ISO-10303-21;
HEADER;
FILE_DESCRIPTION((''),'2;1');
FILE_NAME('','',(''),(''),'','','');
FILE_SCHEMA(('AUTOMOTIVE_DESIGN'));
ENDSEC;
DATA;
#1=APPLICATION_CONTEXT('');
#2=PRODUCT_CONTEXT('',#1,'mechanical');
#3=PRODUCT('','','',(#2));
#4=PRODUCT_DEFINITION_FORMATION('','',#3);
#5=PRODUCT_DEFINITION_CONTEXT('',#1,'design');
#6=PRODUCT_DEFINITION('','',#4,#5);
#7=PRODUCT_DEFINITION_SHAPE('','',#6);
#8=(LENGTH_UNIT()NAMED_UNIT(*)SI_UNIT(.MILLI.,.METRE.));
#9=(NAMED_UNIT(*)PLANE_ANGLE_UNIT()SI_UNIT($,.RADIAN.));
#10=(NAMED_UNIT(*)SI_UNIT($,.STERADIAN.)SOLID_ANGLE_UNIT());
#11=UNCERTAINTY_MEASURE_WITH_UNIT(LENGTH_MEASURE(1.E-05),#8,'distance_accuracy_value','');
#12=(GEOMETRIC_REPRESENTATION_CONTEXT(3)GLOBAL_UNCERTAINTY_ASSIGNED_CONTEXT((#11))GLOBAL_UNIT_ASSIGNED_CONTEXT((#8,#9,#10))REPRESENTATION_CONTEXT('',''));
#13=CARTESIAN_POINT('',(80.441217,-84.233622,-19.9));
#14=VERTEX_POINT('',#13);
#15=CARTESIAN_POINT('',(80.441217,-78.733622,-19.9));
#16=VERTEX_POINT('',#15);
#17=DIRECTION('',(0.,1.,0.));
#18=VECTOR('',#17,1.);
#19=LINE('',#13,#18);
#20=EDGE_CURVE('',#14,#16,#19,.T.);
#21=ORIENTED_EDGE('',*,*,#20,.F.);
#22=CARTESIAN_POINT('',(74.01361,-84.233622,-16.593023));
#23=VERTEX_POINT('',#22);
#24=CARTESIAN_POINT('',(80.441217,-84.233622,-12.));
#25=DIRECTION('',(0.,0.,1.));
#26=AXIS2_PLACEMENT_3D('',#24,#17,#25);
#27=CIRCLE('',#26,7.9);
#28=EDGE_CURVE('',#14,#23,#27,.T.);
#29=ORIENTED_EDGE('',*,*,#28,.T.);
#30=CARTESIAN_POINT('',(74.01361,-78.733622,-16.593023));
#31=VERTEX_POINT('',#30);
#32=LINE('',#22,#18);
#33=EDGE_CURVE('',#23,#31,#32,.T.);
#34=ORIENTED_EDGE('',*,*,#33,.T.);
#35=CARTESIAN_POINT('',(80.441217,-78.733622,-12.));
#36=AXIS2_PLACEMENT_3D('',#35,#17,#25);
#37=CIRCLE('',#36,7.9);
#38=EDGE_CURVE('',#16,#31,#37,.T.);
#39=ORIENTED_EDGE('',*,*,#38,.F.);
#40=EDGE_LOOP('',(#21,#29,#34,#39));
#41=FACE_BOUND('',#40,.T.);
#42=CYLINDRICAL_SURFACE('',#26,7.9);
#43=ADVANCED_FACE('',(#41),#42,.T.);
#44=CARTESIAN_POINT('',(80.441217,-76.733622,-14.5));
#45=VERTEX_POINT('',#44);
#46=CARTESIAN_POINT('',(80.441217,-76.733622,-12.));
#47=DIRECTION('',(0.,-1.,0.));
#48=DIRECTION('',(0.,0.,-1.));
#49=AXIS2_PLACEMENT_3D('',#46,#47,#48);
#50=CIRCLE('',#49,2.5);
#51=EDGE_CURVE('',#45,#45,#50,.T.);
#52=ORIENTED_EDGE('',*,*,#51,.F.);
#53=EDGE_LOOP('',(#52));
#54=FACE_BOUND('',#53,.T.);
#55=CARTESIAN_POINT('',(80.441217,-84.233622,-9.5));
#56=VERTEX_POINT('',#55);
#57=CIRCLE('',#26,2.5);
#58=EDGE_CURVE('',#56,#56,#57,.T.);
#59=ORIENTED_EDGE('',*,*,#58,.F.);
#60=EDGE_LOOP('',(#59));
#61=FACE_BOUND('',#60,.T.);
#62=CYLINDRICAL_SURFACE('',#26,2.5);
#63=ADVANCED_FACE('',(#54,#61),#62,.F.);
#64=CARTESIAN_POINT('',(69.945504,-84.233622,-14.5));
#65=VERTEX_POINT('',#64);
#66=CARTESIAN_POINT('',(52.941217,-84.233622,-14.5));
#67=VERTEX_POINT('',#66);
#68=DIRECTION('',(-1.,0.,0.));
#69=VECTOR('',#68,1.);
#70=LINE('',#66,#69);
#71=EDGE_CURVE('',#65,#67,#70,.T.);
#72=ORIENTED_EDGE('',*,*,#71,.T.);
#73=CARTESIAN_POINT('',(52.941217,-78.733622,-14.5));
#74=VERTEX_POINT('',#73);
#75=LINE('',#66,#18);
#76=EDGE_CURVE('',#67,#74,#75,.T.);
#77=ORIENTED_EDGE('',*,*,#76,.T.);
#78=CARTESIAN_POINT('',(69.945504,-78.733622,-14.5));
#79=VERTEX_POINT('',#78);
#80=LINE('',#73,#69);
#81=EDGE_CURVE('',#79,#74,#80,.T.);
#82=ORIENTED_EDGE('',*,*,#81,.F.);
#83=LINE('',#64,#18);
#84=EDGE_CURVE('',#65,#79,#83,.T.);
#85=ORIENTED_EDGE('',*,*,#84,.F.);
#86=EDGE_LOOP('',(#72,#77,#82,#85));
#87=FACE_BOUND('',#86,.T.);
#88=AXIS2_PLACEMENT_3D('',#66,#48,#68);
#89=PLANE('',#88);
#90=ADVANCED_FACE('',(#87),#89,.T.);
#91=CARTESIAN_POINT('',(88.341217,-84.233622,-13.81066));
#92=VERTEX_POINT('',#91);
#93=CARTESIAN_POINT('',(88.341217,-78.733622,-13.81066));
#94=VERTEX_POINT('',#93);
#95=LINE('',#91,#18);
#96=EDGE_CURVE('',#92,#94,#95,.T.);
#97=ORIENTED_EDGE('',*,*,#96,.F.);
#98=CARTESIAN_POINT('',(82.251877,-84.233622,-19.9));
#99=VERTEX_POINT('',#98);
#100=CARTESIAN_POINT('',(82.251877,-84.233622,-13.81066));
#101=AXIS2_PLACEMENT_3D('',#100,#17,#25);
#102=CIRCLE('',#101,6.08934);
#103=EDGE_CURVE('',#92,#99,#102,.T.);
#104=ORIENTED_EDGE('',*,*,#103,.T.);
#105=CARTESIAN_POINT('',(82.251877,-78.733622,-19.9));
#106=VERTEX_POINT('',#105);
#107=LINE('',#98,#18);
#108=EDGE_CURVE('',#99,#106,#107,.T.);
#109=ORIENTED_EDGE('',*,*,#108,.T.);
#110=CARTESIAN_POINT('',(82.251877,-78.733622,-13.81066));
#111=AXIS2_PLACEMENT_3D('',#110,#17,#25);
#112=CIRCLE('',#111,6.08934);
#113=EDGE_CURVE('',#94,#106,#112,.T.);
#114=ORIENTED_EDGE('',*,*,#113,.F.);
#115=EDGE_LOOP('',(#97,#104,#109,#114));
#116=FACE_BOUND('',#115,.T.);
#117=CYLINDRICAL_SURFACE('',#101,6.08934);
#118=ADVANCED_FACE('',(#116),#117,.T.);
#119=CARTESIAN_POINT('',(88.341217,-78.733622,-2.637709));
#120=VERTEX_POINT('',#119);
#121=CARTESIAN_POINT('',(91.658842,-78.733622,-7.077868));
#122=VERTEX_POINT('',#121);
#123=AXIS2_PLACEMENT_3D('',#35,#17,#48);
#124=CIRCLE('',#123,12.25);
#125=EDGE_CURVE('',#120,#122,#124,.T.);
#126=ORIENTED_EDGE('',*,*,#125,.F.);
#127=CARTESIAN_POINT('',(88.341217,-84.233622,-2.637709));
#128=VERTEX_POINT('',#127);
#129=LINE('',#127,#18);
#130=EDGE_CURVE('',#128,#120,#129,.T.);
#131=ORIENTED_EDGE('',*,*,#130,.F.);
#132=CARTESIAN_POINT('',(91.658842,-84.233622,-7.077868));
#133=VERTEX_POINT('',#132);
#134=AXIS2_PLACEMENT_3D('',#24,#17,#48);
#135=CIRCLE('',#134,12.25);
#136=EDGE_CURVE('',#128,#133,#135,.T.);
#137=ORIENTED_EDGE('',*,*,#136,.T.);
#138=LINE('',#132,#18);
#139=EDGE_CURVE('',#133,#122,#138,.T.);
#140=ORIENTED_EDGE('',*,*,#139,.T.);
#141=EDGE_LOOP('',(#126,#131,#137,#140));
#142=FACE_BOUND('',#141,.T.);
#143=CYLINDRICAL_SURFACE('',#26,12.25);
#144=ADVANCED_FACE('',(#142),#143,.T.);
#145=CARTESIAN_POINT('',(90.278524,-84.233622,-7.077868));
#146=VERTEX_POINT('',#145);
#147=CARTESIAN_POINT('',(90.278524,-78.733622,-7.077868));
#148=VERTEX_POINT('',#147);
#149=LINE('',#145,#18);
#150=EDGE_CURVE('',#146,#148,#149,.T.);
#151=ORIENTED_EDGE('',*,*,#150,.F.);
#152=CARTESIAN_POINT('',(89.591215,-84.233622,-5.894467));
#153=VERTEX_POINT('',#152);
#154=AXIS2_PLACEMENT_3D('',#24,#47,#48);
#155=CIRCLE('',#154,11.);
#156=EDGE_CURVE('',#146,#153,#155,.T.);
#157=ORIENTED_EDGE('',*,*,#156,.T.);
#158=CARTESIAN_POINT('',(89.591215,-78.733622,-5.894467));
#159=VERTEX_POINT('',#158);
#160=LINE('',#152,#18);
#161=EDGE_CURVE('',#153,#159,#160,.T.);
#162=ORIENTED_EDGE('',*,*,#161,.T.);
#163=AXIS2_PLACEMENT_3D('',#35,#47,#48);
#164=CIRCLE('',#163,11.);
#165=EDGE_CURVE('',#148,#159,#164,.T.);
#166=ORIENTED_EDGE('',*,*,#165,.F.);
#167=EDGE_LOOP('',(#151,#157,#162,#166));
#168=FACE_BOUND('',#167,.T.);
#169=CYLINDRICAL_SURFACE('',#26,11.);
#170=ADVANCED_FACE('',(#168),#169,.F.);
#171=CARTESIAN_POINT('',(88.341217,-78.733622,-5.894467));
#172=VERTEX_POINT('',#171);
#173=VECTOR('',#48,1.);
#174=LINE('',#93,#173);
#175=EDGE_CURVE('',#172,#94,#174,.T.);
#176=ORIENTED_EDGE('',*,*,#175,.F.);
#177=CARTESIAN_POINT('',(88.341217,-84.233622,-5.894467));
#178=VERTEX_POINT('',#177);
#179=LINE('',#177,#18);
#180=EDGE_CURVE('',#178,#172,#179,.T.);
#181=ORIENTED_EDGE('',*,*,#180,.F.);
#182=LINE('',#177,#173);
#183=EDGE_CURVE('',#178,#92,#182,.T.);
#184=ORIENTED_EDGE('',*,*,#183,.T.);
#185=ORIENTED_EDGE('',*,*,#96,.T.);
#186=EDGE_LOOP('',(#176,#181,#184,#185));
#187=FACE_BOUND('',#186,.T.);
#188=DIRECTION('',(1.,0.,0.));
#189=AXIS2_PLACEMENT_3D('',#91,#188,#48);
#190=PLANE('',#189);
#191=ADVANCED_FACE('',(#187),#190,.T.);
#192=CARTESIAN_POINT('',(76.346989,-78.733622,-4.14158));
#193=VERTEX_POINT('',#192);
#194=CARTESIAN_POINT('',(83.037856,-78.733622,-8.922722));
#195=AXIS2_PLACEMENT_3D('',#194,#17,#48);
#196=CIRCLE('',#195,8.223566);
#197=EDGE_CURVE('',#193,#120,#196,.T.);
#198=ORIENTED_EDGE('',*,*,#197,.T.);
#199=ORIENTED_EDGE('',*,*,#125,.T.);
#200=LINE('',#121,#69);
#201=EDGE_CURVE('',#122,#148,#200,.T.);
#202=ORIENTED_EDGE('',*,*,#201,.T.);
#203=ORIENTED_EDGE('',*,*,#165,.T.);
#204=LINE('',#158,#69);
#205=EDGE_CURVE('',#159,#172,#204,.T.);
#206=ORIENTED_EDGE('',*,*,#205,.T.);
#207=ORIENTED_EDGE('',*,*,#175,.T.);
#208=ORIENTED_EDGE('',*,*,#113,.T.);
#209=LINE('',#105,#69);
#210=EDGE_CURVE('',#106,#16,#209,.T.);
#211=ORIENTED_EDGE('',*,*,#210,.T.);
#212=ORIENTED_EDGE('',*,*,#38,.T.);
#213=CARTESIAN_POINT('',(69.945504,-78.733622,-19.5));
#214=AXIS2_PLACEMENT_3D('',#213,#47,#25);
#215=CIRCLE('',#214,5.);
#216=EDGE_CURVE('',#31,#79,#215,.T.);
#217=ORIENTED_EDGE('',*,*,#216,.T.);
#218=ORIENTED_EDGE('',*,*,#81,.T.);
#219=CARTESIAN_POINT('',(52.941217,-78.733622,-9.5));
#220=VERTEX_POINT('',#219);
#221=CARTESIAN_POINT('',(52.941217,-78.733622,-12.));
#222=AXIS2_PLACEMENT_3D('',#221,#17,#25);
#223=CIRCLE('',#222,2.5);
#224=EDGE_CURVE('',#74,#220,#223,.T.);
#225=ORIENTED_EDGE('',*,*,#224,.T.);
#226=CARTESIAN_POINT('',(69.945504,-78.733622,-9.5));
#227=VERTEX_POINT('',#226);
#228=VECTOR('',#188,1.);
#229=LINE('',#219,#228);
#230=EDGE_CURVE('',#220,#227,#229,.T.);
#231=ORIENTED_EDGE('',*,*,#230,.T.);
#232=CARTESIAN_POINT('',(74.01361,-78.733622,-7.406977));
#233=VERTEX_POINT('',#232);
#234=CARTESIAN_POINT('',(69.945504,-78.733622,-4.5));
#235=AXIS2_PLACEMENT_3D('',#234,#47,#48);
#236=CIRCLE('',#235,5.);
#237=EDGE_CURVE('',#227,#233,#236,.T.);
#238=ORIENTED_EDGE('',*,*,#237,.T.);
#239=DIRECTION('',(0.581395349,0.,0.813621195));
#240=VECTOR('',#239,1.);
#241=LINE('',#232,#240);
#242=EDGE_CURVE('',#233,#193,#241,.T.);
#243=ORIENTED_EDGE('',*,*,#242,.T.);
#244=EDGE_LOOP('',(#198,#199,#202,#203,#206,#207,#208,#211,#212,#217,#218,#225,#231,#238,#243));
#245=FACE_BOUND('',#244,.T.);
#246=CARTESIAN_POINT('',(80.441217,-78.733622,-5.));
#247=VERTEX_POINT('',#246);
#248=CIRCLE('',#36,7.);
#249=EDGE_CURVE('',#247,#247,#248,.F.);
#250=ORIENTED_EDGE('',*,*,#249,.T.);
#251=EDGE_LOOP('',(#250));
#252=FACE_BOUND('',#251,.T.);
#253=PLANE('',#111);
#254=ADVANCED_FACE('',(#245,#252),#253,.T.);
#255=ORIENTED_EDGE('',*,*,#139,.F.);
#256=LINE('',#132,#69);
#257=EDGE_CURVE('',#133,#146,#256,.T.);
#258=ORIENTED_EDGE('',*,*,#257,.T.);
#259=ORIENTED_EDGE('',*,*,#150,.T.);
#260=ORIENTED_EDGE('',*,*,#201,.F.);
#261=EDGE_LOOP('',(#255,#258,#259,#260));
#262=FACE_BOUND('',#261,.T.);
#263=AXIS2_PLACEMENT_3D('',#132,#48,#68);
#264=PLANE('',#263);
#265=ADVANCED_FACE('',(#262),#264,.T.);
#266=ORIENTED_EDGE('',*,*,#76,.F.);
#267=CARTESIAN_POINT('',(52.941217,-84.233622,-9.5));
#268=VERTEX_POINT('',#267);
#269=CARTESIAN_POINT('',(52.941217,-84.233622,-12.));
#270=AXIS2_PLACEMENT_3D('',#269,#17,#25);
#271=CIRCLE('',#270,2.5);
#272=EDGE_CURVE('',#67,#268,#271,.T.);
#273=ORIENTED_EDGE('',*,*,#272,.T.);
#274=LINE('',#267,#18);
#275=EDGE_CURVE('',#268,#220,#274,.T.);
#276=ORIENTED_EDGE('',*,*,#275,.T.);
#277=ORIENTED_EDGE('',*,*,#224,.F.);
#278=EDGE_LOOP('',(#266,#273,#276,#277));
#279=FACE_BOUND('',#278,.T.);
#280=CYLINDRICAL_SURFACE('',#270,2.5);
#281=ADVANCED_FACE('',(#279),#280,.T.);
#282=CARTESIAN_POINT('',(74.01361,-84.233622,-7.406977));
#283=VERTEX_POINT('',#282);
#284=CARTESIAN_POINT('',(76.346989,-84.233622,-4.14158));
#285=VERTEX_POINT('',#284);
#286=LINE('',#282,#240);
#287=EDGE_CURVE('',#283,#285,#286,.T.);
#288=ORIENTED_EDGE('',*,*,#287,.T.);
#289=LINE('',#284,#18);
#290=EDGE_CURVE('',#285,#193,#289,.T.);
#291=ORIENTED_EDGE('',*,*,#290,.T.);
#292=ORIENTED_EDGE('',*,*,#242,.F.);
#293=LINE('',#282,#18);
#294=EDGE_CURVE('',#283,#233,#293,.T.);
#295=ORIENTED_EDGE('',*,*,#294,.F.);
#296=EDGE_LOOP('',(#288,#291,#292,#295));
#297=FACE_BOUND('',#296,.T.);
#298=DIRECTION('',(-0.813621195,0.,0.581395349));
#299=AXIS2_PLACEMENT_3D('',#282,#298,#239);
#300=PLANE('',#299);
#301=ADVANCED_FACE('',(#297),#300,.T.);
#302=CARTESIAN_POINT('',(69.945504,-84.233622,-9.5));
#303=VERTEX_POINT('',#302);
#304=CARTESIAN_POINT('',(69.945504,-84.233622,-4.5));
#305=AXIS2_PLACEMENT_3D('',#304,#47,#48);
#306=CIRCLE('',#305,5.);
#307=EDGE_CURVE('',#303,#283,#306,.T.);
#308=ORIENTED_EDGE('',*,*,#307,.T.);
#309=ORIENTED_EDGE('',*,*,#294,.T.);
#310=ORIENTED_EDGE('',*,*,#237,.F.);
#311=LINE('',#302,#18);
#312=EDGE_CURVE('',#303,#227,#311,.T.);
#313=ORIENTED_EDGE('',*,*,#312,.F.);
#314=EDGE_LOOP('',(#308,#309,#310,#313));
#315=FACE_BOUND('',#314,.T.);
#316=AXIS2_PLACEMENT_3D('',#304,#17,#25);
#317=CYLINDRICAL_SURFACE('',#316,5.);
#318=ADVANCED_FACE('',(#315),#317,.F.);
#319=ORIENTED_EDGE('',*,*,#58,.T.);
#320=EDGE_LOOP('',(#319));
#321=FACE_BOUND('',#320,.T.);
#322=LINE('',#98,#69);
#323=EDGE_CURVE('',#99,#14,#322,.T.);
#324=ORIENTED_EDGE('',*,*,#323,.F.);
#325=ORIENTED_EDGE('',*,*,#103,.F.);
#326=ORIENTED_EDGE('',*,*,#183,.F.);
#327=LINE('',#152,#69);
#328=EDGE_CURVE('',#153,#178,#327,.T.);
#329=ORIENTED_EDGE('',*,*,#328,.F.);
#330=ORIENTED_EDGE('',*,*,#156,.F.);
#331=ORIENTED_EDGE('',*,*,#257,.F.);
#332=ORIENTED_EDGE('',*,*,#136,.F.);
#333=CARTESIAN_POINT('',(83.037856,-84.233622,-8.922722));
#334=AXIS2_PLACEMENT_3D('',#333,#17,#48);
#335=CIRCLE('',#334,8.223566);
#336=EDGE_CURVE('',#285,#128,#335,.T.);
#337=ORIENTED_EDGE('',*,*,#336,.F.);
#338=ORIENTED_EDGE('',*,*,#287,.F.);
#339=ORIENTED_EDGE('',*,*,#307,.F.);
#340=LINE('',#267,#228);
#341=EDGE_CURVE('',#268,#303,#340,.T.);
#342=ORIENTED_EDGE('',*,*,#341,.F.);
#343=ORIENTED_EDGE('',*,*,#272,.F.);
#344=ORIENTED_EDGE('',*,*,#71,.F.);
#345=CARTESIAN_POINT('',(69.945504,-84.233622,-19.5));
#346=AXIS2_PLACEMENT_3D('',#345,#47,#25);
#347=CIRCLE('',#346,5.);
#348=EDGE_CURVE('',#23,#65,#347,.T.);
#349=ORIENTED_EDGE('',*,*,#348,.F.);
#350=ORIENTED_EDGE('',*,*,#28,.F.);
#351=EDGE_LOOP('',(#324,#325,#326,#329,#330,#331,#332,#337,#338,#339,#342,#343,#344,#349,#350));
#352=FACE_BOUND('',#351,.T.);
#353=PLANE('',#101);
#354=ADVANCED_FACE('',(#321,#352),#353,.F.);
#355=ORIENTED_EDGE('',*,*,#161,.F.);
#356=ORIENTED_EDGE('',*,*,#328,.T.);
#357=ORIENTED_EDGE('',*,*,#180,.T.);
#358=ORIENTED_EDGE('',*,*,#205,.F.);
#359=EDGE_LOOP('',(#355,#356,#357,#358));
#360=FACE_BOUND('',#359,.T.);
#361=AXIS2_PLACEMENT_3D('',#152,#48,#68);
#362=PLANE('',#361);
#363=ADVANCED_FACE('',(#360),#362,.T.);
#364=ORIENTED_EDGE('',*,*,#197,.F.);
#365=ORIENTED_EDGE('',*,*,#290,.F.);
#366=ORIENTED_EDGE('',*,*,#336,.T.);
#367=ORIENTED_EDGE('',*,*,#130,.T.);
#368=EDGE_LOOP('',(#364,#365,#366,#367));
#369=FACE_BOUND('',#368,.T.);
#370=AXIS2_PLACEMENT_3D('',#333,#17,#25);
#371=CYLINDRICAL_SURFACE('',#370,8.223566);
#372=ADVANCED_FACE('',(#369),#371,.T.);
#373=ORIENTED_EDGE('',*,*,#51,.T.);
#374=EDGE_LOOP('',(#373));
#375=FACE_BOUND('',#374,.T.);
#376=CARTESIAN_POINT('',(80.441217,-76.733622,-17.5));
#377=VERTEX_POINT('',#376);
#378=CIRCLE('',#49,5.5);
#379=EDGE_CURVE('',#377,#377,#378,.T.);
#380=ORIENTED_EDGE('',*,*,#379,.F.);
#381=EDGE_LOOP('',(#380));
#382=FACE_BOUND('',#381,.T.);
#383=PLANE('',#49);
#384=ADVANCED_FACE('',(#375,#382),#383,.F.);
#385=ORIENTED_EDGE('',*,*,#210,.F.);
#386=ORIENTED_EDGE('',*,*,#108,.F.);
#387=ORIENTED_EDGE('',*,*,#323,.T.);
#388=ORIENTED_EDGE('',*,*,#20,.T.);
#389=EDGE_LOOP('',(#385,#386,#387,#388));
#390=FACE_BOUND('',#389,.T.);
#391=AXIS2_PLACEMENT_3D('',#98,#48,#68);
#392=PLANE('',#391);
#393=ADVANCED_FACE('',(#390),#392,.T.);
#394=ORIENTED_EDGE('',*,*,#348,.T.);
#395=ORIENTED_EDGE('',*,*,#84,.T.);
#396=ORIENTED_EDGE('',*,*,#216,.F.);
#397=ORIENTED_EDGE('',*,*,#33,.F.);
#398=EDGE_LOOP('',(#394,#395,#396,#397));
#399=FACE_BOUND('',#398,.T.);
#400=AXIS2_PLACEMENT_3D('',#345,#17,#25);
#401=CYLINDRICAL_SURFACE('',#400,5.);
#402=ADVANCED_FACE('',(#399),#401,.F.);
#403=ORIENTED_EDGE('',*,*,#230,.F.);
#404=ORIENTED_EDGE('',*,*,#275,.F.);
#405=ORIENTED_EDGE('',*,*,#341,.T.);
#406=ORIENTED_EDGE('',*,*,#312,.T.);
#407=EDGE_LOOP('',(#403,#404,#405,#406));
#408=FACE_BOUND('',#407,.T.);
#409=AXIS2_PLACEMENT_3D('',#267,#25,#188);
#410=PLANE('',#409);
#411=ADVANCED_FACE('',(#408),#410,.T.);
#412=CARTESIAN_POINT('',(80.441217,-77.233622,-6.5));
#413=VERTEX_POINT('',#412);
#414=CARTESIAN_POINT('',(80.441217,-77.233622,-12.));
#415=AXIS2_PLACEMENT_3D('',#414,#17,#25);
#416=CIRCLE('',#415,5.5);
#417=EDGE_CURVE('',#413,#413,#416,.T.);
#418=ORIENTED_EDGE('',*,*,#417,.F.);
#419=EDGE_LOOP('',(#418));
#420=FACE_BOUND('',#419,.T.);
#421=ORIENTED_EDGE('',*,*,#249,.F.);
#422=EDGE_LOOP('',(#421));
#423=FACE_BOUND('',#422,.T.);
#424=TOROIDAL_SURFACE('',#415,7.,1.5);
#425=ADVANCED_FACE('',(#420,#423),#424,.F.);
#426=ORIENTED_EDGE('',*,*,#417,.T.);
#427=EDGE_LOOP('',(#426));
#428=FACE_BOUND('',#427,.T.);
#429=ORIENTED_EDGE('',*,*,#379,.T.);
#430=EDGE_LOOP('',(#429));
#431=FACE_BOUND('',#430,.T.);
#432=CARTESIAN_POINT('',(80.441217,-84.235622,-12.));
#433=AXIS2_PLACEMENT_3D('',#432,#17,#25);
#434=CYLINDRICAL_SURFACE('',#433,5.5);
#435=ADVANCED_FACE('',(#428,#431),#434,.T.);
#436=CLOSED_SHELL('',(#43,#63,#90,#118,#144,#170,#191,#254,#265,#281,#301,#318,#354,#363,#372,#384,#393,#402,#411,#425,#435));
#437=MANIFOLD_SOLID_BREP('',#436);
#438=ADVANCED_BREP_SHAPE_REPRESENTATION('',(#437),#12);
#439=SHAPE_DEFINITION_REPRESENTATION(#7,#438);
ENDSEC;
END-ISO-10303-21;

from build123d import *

# Parameters (mm, degrees)
BOSS_EXTRUDE1_START = -2
SKETCH1_R           = 2.5
BOSS_EXTRUDE1_DEPTH = 5.5
BOSS_EXTRUDE2_REACH = 96.094
SKETCH2_R           = 5.5
SKETCH2_R_2         = 2.5
FILLET1_R           = 1.5


with BuildPart() as part:
    # Sketch1 → Boss-Extrude1 (new body)
    with BuildSketch(Plane(origin=(0, -76.733621845, 0), x_dir=(1, 0, 0), z_dir=(0, 1, 0)).offset(BOSS_EXTRUDE1_START)):
        with BuildLine():
            Line((52.941217068, 9.5), (69.945503657, 9.5))
            ThreePointArc((69.945503657, 9.5), (72.232982212, 8.946059138), (74.01360963, 7.406976744))
            Line((74.01360963, 7.406976744), (76.346988808, 4.141579527))
            ThreePointArc((76.346988808, 4.141579527), (82.014772389, 0.763045112), (88.341217068, 2.637708614))
            ThreePointArc((88.341217068, 2.637708614), (90.254455743, 4.667684765), (91.658842367, 7.07786808))
            Line((91.658842367, 7.07786808), (90.278524492, 7.07786808))
            ThreePointArc((90.278524492, 7.07786808), (89.953291089, 6.475468544), (89.591215146, 5.89446684))
            Line((89.591215146, 5.89446684), (88.341217068, 5.89446684))
            Line((88.341217068, 5.89446684), (88.341217068, 12))
            Line((88.341217068, 12), (88.341217068, 13.810660172))
            ThreePointArc((88.341217068, 13.810660172), (86.557690725, 18.116473657), (82.25187724, 19.9))
            Line((82.25187724, 19.9), (80.441217068, 19.9))
            ThreePointArc((80.441217068, 19.9), (76.827000951, 19.024773438), (74.01360963, 16.593023256))
            ThreePointArc((74.01360963, 16.593023256), (72.232982212, 15.053940862), (69.945503657, 14.5))
            Line((69.945503657, 14.5), (52.941217068, 14.5))
            ThreePointArc((52.941217068, 14.5), (50.441217068, 12), (52.941217068, 9.5))
        make_face()
        with Locations(Location((80.441217068, 12, 0), (0, 0, 270))):
            Circle(SKETCH1_R, mode=Mode.SUBTRACT)
    extrude(amount=-BOSS_EXTRUDE1_DEPTH)

    # Sketch2 → Boss-Extrude2 (add, up to next)
    with BuildSketch(Plane(origin=(0, -76.733621845, 0), x_dir=(-1, 0, 0), z_dir=(0, -1, 0)), mode=Mode.PRIVATE) as boss_extrude2_sk1:
        with Locations(Location((-80.441217068, 12, 0), (0, 0, 270))):
            Circle(SKETCH2_R)
        with Locations(Location((-80.441217068, 12, 0), (0, 0, 270))):
            Circle(SKETCH2_R_2, mode=Mode.SUBTRACT)
    boss_extrude2_tool1 = extrude(boss_extrude2_sk1.sketch, amount=BOSS_EXTRUDE2_REACH, mode=Mode.PRIVATE) - part.part
    add(boss_extrude2_tool1.solids().sort_by_distance((80.441217, -76.733622, -17.344437))[0])

    # Fillet1
    fillet1_edges = [part.edges().sort_by_distance(p)[0] for p in [
        (80.441217068, -78.733621845, -17.5),
    ]]
    fillet(fillet1_edges, radius=FILLET1_R)


solid = part.part
